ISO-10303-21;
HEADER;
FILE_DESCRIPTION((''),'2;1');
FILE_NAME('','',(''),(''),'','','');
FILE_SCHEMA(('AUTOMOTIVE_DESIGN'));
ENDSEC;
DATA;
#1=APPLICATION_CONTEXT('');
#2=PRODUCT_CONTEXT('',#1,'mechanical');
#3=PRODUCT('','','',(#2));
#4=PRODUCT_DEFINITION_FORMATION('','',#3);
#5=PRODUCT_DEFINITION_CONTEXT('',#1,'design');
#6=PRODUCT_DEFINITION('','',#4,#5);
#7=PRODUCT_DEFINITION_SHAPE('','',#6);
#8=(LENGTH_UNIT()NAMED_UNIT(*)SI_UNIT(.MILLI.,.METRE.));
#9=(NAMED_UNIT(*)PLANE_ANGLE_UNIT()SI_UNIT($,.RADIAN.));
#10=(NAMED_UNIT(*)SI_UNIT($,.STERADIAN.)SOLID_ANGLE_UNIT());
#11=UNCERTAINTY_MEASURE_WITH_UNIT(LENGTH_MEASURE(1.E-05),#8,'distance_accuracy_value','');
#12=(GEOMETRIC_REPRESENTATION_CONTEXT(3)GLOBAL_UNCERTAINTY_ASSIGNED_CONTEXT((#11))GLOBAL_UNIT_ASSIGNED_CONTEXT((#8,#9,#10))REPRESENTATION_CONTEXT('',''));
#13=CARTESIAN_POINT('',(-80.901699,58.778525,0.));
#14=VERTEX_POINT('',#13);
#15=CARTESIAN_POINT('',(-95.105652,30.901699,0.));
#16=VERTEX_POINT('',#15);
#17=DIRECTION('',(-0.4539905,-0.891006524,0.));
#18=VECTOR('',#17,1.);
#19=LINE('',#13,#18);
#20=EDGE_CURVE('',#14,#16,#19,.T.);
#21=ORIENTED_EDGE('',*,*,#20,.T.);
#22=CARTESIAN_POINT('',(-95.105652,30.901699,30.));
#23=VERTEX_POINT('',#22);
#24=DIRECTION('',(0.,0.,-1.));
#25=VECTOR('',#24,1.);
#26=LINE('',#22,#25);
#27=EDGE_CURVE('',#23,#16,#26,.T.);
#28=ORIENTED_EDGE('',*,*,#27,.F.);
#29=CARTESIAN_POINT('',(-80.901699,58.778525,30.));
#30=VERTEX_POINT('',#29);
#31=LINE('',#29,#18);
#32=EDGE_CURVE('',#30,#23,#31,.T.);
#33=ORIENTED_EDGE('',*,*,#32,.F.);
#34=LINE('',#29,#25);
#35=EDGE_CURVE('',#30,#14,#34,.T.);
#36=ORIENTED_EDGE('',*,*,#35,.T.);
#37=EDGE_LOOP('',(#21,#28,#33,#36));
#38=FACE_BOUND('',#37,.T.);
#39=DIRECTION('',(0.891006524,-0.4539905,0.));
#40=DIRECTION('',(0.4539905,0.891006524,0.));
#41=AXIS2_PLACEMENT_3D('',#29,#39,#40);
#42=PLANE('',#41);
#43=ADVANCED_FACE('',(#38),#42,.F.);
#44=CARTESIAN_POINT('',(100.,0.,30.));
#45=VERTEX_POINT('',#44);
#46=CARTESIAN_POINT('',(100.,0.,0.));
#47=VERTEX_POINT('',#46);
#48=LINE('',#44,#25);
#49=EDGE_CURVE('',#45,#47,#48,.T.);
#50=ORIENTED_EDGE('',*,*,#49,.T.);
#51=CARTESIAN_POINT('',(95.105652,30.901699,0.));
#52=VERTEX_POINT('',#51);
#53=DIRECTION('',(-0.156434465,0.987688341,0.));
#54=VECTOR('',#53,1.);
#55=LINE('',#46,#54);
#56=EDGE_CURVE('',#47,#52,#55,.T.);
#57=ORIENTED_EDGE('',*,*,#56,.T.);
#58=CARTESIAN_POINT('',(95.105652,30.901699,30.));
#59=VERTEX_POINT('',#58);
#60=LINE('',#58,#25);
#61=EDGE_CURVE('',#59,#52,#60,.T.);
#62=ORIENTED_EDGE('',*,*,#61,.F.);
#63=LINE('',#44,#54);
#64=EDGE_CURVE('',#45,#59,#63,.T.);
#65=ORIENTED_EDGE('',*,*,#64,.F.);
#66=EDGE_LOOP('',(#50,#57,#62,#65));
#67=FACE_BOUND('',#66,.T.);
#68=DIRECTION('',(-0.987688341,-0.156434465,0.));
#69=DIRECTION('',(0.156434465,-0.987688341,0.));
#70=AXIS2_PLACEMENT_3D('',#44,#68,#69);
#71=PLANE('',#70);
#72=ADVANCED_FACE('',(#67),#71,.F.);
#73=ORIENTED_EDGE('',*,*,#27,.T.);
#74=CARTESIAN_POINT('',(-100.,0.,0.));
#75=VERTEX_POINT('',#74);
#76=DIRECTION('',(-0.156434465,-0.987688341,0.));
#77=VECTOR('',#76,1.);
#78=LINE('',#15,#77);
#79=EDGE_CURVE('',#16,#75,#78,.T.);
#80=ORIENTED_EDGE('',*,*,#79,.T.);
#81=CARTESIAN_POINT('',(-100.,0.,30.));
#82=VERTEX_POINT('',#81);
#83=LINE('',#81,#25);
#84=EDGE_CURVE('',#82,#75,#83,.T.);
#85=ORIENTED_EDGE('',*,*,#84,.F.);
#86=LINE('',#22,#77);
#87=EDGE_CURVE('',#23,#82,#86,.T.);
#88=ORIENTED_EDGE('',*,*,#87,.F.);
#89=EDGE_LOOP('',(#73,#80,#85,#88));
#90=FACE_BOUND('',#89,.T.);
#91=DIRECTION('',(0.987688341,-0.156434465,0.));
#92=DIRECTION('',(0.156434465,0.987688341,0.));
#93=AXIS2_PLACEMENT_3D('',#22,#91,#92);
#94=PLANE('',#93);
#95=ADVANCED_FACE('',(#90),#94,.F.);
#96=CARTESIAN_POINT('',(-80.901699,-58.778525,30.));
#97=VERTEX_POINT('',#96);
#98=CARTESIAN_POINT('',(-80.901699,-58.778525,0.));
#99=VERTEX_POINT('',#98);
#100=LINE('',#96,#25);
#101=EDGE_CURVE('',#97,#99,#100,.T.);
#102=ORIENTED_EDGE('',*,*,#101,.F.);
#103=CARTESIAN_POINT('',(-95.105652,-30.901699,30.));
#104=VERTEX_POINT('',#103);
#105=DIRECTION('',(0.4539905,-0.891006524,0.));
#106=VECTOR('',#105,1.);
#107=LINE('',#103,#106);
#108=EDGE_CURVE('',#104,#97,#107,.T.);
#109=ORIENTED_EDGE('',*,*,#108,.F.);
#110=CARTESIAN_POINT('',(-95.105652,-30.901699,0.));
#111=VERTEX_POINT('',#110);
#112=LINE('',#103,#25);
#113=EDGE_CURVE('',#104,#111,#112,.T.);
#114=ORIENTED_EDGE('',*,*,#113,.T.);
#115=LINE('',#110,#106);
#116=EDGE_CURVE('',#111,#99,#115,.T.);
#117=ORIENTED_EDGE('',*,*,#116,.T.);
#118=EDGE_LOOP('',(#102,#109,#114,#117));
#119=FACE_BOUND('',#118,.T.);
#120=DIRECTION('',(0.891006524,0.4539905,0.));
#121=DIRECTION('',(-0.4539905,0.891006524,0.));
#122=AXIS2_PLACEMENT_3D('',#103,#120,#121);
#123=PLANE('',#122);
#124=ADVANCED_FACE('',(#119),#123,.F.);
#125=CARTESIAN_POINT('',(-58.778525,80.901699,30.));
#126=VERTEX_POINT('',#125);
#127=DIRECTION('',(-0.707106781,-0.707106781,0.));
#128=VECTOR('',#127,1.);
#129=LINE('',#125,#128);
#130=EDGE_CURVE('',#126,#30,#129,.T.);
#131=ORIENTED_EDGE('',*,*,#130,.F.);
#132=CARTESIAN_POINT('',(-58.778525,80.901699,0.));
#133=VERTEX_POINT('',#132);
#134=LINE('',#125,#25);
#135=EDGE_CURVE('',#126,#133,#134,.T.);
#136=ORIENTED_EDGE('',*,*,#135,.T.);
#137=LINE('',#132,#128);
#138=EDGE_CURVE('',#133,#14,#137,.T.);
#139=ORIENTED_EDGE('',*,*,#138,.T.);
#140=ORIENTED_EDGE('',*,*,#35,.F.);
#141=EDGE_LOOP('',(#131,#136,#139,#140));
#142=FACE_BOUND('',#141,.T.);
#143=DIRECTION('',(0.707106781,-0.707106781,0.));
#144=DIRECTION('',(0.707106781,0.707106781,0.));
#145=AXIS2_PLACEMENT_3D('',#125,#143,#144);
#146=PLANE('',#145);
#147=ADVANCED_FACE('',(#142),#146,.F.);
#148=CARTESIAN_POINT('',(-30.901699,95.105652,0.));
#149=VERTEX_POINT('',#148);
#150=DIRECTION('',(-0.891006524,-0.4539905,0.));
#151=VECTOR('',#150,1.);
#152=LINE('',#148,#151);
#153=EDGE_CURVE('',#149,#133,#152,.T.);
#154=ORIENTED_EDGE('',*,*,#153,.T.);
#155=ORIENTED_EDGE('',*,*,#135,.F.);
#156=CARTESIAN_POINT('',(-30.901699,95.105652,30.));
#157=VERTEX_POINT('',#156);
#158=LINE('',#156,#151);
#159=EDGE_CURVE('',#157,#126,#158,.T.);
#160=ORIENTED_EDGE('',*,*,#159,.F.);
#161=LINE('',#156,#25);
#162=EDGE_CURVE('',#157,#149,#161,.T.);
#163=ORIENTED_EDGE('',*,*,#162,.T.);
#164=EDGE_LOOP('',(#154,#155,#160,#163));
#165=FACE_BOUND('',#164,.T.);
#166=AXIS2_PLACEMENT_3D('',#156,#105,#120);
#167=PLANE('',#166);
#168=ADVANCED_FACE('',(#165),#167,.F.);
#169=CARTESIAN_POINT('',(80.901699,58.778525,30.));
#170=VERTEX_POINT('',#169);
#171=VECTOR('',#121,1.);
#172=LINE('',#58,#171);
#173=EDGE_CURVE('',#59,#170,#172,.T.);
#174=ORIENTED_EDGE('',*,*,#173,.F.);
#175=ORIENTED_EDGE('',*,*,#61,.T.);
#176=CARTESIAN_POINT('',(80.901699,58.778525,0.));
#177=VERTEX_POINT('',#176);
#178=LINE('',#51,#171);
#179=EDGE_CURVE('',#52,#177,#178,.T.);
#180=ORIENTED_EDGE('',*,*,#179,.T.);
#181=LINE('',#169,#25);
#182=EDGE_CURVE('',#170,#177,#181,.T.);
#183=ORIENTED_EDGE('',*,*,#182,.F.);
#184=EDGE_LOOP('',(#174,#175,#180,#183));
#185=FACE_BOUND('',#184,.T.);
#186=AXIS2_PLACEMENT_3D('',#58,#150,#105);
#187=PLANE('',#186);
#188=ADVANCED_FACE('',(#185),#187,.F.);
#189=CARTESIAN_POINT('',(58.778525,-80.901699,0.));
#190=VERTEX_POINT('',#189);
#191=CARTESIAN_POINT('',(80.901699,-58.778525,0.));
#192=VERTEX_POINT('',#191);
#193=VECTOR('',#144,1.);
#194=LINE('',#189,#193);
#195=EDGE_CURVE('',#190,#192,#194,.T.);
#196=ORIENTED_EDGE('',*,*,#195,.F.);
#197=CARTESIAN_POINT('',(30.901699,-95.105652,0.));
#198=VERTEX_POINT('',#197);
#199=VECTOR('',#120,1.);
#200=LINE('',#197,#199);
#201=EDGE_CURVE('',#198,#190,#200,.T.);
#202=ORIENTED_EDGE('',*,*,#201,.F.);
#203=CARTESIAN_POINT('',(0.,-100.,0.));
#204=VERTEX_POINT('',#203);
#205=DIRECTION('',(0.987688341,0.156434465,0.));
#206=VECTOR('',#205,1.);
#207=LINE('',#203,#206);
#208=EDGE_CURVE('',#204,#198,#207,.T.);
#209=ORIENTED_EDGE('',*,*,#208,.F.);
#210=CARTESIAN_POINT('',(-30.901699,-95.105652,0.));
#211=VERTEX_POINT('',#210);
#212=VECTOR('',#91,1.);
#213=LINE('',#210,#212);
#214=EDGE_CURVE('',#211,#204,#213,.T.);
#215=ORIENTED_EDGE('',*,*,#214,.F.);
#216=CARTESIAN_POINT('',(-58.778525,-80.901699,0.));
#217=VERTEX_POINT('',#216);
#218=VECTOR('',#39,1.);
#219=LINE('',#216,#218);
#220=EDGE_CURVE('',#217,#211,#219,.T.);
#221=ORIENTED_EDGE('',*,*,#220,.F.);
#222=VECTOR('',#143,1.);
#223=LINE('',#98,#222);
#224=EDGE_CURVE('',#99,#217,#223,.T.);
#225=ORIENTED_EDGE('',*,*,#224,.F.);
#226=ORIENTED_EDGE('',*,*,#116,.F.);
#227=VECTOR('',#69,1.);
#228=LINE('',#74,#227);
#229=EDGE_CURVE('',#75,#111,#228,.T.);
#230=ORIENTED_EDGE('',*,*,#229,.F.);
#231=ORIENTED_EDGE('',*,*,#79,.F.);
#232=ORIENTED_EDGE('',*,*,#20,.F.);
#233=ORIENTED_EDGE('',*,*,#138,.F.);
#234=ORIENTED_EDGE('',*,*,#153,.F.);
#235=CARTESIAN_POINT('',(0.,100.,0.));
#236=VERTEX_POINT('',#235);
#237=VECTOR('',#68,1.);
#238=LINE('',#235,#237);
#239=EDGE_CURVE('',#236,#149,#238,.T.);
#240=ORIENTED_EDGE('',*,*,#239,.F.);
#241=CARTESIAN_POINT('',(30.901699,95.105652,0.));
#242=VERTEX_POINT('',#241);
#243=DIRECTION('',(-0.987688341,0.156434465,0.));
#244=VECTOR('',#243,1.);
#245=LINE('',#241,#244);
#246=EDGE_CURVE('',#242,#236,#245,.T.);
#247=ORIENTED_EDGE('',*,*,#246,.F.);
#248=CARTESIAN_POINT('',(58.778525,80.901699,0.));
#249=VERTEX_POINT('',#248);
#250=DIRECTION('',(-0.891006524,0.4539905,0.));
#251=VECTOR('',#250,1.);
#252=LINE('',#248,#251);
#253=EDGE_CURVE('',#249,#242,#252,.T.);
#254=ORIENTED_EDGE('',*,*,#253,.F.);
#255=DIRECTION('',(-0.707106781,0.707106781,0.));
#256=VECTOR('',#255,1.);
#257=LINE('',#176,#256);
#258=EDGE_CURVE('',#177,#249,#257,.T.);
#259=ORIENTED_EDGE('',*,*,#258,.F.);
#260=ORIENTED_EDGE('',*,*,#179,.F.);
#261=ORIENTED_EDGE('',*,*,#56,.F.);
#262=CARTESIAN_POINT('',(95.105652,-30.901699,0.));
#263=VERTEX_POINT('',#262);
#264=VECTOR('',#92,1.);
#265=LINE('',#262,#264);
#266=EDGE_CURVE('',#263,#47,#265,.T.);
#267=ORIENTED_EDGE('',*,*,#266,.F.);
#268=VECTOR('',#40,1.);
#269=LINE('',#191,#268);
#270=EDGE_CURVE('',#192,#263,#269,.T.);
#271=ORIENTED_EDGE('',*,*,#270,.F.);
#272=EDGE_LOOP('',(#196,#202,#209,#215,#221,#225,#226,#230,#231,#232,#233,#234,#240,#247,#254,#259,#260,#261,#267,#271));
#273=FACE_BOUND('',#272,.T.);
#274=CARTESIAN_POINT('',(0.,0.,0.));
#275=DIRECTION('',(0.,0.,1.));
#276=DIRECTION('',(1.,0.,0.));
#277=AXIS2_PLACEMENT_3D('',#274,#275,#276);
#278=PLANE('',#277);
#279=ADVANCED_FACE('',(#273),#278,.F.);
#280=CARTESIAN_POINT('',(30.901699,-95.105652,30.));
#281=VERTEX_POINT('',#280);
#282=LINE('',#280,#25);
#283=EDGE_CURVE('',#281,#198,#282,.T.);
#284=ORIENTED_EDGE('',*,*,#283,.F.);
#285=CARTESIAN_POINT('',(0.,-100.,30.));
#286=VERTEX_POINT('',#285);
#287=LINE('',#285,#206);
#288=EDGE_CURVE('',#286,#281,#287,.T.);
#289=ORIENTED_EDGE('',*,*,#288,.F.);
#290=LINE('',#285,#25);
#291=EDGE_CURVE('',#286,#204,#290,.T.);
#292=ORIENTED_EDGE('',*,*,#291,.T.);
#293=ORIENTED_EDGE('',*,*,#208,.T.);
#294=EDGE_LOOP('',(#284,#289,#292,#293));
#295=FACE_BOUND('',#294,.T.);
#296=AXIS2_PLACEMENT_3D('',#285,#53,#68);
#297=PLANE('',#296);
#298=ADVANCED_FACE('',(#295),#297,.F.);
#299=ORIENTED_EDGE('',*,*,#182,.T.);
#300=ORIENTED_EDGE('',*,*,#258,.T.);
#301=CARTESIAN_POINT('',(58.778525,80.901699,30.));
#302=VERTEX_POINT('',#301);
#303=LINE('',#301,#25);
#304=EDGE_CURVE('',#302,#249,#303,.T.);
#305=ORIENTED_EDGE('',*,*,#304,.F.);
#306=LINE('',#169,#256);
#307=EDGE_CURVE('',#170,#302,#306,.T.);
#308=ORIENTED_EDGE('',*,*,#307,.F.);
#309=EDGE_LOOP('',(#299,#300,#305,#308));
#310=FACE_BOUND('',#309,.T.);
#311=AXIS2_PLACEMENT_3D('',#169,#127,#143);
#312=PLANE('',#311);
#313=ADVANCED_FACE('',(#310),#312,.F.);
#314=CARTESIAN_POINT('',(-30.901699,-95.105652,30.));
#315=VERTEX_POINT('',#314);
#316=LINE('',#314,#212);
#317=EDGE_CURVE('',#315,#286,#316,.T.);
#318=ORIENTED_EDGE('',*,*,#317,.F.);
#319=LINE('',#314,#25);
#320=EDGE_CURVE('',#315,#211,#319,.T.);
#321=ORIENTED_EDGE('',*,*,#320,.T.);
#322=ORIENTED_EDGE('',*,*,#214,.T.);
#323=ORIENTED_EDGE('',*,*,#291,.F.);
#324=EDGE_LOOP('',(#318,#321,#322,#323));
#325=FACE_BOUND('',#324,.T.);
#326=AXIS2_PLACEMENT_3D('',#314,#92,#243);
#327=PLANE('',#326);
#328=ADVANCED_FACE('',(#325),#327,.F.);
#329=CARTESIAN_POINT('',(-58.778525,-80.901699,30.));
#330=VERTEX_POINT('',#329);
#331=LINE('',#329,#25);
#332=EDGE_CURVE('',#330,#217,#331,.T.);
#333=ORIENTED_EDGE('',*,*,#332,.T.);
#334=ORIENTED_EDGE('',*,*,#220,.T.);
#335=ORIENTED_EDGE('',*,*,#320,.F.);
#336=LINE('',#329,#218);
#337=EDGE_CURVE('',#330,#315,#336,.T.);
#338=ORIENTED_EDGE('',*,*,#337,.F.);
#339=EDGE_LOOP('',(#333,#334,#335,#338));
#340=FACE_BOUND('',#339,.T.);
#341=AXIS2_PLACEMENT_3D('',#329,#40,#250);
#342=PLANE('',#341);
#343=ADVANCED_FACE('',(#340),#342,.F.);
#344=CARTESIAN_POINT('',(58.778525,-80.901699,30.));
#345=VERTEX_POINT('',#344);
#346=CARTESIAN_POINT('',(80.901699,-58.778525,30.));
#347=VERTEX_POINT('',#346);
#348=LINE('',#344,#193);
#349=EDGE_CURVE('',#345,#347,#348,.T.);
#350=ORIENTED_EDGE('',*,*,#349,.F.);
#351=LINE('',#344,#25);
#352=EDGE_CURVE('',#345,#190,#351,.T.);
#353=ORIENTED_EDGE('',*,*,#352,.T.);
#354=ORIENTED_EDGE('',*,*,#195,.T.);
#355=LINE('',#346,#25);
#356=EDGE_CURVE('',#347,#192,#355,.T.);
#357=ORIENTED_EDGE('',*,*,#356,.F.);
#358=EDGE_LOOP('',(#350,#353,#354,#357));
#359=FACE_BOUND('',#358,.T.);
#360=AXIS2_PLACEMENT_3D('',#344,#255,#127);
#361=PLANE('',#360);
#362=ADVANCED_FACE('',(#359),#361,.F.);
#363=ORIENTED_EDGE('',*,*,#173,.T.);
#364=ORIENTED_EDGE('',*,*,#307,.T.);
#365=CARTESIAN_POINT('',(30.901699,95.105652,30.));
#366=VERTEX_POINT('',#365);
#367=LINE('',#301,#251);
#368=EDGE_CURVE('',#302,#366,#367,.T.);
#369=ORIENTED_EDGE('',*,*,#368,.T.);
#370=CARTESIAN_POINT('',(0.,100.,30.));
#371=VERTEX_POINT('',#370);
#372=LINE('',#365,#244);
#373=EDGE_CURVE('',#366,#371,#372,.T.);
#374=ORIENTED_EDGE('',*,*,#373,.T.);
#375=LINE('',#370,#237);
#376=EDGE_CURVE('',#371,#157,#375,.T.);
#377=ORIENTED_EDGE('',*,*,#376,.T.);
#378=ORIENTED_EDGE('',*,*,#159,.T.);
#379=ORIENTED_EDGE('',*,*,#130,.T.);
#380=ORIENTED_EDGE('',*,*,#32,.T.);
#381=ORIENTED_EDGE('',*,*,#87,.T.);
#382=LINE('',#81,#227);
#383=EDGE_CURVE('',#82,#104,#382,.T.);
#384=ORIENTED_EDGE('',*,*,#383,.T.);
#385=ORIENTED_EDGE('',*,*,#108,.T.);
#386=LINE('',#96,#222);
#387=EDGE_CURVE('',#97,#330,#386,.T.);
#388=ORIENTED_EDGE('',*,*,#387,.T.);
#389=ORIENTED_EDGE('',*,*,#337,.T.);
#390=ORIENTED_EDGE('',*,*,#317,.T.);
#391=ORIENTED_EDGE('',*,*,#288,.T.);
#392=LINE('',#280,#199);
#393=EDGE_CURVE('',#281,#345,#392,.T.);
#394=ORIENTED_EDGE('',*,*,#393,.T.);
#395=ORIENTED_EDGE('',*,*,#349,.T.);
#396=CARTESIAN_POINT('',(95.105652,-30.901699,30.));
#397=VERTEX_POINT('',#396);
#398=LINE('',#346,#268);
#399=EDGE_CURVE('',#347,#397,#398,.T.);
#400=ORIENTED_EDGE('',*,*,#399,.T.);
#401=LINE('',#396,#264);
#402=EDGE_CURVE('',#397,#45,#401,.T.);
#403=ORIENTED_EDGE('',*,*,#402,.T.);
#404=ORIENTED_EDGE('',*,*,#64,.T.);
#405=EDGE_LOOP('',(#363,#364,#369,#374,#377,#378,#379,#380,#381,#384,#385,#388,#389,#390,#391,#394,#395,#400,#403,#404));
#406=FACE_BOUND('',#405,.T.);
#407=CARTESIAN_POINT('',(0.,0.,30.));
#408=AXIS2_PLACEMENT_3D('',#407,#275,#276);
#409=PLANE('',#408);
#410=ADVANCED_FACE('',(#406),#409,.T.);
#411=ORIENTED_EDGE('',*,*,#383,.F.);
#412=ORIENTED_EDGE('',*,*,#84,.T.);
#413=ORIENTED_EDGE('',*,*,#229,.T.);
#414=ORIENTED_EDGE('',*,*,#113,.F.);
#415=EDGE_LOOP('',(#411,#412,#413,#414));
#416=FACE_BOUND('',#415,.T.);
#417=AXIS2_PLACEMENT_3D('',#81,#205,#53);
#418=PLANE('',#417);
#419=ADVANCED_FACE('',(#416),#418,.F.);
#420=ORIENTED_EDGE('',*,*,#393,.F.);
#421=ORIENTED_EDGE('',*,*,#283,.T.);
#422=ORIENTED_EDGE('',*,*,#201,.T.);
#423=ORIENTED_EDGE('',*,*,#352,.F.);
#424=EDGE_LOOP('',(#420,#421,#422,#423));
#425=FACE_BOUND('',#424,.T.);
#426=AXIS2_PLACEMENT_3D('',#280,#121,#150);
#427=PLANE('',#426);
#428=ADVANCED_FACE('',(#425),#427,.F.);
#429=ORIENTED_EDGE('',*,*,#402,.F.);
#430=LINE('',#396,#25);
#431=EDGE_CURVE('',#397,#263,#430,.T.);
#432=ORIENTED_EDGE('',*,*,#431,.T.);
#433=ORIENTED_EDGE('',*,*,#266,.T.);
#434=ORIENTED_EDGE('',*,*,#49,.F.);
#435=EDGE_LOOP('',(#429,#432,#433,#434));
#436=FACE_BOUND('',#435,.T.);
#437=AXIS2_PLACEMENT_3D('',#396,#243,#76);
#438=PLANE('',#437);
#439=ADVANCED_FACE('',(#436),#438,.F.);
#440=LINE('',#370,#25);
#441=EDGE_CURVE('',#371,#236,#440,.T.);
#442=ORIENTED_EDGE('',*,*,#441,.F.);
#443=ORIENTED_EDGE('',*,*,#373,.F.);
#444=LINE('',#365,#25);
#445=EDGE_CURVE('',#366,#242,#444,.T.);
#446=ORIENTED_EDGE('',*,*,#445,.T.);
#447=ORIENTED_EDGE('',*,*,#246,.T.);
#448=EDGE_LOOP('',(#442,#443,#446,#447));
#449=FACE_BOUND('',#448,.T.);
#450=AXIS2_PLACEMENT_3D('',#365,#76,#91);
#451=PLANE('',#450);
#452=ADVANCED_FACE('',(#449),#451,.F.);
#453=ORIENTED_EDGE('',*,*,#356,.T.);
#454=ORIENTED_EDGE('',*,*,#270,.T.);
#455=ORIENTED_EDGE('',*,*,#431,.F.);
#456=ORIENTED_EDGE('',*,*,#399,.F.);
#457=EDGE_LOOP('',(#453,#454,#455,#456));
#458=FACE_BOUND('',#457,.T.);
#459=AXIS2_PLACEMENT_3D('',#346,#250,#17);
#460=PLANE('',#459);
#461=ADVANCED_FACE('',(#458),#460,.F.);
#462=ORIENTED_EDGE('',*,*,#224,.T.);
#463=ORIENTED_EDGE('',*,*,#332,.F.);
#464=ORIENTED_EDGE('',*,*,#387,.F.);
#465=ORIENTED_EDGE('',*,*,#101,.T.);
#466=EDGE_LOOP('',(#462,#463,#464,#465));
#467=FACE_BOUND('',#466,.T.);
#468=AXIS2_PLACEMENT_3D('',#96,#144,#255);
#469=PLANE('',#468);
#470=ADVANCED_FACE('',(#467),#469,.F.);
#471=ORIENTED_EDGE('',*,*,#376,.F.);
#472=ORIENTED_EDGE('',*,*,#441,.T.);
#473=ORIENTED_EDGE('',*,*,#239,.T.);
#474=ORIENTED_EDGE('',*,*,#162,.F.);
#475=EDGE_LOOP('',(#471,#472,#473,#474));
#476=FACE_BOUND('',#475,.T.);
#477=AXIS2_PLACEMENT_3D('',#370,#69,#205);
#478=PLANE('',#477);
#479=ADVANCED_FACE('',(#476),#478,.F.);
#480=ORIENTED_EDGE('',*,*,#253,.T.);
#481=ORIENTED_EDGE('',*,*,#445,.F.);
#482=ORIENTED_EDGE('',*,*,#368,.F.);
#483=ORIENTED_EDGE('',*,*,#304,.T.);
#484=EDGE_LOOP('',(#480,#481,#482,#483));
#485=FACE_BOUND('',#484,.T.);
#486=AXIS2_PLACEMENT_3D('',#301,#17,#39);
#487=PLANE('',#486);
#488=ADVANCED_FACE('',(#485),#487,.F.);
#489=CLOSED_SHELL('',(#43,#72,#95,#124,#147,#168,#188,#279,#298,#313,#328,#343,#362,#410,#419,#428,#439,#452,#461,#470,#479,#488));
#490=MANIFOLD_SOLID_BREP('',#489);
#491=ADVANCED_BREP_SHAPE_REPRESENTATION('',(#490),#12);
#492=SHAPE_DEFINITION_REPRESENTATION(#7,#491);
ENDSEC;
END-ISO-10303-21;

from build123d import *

# Parameters (mm, degrees)
EXTRUDE_1_DEPTH = 30


with BuildPart() as part:
    # 草图1 → 凸台-拉伸1 (new body)
    with BuildSketch(Plane.XY):
        Polygon((100, 0), (95.10565163, 30.901699437), (80.901699437, 58.778525229), (58.778525229, 80.901699437), (30.901699437, 95.10565163), (0, 100), (-30.901699437, 95.10565163), (-58.778525229, 80.901699437), (-80.901699437, 58.778525229), (-95.10565163, 30.901699437), (-100, 0), (-95.10565163, -30.901699437), (-80.901699437, -58.778525229), (-58.778525229, -80.901699437), (-30.901699437, -95.10565163), (0, -100), (30.901699437, -95.10565163), (58.778525229, -80.901699437), (80.901699437, -58.778525229), (95.10565163, -30.901699437), align=None)
    extrude(amount=EXTRUDE_1_DEPTH)


solid = part.part
